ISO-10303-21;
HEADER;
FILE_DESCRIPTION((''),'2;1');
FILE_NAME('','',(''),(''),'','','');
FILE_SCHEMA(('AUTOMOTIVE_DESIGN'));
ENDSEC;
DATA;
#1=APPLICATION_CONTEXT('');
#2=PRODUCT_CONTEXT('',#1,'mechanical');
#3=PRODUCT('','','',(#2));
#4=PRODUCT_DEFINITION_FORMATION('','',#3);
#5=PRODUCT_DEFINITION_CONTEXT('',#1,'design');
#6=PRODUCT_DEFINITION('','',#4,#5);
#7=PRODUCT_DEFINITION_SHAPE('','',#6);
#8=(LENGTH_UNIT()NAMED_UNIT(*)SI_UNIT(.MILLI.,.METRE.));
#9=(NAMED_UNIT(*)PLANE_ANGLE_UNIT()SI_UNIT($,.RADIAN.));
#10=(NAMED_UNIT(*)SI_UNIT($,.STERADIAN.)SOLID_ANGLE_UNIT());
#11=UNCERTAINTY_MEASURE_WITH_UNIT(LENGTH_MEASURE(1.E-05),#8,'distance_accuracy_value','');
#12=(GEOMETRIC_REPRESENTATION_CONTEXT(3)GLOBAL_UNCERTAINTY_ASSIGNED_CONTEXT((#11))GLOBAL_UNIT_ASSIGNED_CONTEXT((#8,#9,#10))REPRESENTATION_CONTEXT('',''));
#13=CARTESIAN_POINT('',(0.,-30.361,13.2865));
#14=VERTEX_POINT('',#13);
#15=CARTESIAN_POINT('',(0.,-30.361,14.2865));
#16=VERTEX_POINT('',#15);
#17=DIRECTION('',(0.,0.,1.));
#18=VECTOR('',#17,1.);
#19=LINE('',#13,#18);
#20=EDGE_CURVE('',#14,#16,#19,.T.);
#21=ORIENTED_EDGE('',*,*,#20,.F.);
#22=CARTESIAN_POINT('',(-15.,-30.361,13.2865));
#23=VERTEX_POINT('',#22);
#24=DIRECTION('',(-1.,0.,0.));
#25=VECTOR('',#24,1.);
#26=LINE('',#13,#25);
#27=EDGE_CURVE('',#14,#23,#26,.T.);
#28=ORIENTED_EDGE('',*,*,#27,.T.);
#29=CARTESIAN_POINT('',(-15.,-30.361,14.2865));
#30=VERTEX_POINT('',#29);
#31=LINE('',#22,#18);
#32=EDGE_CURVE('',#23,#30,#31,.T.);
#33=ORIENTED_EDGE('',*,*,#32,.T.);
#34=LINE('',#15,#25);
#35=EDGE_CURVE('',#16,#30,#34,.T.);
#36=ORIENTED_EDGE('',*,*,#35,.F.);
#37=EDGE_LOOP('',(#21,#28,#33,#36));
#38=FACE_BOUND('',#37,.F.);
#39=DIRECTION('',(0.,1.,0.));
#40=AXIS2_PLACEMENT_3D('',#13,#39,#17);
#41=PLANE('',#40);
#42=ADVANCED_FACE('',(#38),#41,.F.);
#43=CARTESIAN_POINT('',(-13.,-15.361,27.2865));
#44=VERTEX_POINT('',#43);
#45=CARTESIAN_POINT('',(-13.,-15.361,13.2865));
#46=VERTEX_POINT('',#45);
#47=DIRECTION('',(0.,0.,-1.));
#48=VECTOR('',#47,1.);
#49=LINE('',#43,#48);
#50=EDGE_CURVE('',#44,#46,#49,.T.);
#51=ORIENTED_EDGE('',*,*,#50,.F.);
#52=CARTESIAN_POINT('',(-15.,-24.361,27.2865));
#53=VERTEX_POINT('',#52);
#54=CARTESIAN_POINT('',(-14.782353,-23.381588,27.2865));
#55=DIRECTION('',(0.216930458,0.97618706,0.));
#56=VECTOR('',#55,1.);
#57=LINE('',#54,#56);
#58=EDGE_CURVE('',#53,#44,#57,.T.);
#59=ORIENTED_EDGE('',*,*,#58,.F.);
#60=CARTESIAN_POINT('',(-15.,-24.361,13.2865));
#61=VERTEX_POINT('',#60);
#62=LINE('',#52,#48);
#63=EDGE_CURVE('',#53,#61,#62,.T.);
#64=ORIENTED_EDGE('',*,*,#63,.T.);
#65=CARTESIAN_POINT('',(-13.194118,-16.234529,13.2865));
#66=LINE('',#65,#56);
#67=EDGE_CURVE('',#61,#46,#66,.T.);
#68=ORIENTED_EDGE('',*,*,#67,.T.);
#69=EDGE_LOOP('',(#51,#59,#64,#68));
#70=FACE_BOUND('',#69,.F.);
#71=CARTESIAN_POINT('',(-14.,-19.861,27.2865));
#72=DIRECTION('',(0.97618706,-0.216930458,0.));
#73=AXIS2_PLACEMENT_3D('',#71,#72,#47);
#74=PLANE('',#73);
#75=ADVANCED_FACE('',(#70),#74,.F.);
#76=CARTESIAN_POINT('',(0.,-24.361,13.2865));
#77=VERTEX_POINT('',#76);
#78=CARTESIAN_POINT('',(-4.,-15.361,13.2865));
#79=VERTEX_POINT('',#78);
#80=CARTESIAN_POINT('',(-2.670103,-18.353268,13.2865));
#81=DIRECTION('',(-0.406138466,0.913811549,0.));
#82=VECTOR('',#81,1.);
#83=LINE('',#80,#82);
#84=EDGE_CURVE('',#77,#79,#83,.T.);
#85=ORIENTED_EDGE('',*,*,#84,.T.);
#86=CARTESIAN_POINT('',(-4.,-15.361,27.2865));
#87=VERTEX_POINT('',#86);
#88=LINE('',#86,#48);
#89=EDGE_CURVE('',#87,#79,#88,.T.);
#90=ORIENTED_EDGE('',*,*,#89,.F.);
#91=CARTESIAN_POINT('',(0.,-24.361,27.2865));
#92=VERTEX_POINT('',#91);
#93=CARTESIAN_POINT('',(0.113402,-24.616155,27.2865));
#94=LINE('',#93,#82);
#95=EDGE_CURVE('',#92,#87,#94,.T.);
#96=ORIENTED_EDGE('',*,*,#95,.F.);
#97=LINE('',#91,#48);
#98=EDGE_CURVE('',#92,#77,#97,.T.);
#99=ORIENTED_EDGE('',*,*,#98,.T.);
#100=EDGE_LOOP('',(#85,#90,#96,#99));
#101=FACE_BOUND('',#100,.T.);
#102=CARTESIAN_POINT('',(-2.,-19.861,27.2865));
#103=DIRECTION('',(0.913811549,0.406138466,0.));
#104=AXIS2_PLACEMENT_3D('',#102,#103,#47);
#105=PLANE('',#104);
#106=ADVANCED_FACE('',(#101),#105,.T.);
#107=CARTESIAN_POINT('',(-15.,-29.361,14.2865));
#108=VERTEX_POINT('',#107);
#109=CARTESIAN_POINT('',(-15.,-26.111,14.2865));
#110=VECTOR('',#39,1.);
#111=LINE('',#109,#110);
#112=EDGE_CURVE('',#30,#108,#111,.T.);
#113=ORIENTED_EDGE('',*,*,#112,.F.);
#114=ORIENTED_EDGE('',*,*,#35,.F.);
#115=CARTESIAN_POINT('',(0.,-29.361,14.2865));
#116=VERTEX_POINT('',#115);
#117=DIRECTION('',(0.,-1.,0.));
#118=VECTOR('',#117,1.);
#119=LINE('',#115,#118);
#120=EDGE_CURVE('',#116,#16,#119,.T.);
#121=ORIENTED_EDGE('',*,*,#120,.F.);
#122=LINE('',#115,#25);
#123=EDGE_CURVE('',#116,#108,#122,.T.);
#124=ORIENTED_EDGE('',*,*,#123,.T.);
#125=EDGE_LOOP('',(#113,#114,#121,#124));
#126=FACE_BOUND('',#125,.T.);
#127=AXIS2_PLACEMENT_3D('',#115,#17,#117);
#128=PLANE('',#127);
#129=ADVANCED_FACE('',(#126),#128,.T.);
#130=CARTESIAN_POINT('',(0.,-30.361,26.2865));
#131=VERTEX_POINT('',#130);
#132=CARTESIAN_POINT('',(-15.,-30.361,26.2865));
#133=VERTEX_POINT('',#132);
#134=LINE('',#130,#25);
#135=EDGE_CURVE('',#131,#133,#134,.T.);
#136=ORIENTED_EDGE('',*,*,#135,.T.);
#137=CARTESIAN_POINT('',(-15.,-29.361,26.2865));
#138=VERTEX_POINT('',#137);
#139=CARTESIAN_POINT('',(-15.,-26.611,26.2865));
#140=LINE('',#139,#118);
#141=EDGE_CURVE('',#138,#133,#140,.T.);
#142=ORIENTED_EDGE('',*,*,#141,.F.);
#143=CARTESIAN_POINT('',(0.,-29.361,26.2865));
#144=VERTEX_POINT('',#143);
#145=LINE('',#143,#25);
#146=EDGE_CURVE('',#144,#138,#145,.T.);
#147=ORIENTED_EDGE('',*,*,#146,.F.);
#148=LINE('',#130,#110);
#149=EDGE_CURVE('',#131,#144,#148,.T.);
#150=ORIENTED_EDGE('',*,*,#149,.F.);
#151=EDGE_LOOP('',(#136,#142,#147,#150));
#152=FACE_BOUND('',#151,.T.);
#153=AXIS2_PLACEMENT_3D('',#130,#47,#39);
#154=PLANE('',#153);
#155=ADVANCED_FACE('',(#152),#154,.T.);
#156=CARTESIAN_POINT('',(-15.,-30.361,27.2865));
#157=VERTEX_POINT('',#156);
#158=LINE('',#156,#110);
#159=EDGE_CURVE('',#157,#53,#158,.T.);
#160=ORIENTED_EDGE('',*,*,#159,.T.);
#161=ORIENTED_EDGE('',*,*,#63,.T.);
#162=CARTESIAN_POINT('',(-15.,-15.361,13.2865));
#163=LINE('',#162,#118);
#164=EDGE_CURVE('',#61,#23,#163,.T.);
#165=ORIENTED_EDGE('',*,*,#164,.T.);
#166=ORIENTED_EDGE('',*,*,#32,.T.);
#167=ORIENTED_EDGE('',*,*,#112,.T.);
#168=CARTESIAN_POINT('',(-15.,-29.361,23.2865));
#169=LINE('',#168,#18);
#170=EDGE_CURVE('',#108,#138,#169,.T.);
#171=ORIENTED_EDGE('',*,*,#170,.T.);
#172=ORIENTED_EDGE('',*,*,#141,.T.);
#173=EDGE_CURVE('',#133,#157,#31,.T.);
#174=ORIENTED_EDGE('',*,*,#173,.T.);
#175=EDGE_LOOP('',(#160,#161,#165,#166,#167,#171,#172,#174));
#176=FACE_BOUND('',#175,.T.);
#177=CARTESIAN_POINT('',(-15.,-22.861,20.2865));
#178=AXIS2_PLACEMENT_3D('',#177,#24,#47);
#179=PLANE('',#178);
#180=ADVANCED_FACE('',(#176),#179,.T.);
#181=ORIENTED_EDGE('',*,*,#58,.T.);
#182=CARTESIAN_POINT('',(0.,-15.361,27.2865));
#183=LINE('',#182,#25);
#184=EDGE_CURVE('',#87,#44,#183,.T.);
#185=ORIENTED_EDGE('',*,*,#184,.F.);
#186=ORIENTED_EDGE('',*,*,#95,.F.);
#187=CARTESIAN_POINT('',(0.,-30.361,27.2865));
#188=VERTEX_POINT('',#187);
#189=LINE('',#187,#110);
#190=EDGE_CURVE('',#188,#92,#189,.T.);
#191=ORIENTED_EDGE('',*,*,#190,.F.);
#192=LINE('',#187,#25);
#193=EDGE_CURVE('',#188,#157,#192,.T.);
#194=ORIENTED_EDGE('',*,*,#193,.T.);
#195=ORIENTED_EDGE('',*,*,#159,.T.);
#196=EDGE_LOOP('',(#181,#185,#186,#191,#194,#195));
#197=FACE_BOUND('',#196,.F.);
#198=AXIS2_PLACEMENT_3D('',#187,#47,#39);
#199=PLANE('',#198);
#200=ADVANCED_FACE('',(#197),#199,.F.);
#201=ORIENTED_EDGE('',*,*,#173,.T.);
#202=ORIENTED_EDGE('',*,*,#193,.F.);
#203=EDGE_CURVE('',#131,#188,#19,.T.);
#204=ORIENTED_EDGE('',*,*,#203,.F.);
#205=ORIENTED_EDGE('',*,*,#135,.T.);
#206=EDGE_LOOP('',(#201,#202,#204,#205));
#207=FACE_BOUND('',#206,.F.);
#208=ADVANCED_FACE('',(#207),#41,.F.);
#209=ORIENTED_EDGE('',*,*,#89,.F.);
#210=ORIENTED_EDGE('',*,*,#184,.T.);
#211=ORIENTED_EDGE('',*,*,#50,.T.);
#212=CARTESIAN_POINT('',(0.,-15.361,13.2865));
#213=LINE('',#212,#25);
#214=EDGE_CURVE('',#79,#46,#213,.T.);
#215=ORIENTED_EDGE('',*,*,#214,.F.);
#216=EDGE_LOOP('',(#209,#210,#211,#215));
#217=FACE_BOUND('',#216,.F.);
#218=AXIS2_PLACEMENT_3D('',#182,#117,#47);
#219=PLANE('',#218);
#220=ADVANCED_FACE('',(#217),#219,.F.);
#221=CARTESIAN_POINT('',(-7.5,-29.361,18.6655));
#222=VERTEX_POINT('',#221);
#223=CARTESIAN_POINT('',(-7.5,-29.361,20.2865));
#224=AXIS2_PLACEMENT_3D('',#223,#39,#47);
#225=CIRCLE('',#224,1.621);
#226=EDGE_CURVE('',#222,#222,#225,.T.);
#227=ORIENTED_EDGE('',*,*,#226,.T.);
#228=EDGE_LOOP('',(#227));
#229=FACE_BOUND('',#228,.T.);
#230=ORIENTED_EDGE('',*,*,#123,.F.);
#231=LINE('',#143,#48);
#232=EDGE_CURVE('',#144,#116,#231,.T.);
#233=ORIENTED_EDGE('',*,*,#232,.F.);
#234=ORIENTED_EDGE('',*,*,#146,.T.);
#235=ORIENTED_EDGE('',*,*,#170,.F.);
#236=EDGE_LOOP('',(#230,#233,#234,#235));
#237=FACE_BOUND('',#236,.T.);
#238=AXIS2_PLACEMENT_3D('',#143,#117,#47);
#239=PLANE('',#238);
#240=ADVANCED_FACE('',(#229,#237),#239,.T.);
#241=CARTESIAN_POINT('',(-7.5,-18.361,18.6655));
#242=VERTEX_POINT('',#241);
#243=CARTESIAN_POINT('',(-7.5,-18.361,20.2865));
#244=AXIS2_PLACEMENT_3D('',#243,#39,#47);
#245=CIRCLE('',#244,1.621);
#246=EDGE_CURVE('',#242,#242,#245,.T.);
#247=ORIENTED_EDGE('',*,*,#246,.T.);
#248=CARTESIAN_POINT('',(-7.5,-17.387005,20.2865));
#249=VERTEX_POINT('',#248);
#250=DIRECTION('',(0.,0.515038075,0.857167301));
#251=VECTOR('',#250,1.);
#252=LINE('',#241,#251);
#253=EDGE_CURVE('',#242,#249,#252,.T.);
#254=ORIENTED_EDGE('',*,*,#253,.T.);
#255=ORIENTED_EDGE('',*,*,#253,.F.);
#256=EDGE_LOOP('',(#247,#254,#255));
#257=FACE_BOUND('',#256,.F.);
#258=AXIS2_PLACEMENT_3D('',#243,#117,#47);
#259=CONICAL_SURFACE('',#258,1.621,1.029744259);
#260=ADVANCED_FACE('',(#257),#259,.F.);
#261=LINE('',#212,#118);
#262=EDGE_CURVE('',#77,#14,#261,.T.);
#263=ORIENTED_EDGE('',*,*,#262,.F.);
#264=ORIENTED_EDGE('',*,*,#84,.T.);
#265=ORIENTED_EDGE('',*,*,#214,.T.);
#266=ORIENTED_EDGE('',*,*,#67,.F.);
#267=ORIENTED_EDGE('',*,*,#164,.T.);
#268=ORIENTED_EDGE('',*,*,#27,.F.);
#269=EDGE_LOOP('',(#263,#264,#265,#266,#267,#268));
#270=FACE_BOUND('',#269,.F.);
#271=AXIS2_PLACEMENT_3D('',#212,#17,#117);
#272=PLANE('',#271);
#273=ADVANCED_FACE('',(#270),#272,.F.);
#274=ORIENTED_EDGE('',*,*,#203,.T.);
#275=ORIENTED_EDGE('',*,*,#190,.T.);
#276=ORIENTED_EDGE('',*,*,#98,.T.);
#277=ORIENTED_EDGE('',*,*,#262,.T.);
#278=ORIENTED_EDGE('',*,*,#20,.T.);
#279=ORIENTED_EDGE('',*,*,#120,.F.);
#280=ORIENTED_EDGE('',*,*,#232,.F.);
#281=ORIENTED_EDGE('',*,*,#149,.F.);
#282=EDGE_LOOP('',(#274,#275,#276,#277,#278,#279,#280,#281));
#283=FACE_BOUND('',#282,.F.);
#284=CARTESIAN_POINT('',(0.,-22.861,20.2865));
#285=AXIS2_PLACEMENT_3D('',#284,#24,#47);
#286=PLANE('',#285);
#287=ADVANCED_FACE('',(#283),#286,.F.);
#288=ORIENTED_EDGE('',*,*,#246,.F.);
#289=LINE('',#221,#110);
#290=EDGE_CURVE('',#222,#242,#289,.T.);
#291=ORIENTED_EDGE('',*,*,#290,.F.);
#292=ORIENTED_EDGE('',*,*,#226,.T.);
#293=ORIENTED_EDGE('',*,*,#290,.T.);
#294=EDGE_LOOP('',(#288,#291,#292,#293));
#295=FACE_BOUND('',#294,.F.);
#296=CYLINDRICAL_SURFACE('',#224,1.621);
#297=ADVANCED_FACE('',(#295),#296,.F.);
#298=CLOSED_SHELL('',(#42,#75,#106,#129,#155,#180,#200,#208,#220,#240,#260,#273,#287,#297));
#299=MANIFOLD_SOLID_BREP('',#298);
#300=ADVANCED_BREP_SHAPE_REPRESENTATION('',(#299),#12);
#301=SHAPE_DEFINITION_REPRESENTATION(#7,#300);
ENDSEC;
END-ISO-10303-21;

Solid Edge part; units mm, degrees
sketch "Sketch1" plane through (0, 0, 0) normal (1, 0, 0) x (0, 1, 0)
  line L0 (-30.361, 27.2865) -> (-15.361, 27.2865)
  line L1 (-15.361, 27.2865) -> (-15.361, 13.2865)
  line L2 (-15.361, 13.2865) -> (-30.361, 13.2865)
  line L3 (-30.361, 13.2865) -> (-30.361, 27.2865)
  dimension "D1" = 15
  dimension "D2" = 14
extrude "Protrusion1" add sketch "Sketch1" against normal blind 15
sketch "Sketch2" plane through (0, -22.861, 20.2865) normal (1, 0, 0) x (0, 1, 0)
  line L0 (-7.5, 6) -> (-6.5, 6)
  line L1 (-6.5, 6) -> (-6.5, -6)
  line L2 (-6.5, -6) -> (-7.5, -6)
  line L3 (-7.5, -6) -> (-7.5, 6)
  dimension "D1" = 1
  dimension "D2" = 1
  dimension "D3" = 1
extrude "Cutout1" cut sketch "Sketch2" against normal through all
chamfer "afschuin9x4" distance 9 distance2 4 1 edges at (0, -15.361, 20.2865) measured on face at (0, -18.011, 25.0932)
chamfer "Chamfer_4" distance 9 distance2 2 1 edges at (-15, -15.361, 20.2865) measured on face at (-15, -18.011, 25.0932)
hole "schroefdraadM4" at (-7.5, -29.361, 20.2865) direction (0, 1, 0) diameter 3.242 depth 11 tip angle 118 thread major 4 thread length 7
